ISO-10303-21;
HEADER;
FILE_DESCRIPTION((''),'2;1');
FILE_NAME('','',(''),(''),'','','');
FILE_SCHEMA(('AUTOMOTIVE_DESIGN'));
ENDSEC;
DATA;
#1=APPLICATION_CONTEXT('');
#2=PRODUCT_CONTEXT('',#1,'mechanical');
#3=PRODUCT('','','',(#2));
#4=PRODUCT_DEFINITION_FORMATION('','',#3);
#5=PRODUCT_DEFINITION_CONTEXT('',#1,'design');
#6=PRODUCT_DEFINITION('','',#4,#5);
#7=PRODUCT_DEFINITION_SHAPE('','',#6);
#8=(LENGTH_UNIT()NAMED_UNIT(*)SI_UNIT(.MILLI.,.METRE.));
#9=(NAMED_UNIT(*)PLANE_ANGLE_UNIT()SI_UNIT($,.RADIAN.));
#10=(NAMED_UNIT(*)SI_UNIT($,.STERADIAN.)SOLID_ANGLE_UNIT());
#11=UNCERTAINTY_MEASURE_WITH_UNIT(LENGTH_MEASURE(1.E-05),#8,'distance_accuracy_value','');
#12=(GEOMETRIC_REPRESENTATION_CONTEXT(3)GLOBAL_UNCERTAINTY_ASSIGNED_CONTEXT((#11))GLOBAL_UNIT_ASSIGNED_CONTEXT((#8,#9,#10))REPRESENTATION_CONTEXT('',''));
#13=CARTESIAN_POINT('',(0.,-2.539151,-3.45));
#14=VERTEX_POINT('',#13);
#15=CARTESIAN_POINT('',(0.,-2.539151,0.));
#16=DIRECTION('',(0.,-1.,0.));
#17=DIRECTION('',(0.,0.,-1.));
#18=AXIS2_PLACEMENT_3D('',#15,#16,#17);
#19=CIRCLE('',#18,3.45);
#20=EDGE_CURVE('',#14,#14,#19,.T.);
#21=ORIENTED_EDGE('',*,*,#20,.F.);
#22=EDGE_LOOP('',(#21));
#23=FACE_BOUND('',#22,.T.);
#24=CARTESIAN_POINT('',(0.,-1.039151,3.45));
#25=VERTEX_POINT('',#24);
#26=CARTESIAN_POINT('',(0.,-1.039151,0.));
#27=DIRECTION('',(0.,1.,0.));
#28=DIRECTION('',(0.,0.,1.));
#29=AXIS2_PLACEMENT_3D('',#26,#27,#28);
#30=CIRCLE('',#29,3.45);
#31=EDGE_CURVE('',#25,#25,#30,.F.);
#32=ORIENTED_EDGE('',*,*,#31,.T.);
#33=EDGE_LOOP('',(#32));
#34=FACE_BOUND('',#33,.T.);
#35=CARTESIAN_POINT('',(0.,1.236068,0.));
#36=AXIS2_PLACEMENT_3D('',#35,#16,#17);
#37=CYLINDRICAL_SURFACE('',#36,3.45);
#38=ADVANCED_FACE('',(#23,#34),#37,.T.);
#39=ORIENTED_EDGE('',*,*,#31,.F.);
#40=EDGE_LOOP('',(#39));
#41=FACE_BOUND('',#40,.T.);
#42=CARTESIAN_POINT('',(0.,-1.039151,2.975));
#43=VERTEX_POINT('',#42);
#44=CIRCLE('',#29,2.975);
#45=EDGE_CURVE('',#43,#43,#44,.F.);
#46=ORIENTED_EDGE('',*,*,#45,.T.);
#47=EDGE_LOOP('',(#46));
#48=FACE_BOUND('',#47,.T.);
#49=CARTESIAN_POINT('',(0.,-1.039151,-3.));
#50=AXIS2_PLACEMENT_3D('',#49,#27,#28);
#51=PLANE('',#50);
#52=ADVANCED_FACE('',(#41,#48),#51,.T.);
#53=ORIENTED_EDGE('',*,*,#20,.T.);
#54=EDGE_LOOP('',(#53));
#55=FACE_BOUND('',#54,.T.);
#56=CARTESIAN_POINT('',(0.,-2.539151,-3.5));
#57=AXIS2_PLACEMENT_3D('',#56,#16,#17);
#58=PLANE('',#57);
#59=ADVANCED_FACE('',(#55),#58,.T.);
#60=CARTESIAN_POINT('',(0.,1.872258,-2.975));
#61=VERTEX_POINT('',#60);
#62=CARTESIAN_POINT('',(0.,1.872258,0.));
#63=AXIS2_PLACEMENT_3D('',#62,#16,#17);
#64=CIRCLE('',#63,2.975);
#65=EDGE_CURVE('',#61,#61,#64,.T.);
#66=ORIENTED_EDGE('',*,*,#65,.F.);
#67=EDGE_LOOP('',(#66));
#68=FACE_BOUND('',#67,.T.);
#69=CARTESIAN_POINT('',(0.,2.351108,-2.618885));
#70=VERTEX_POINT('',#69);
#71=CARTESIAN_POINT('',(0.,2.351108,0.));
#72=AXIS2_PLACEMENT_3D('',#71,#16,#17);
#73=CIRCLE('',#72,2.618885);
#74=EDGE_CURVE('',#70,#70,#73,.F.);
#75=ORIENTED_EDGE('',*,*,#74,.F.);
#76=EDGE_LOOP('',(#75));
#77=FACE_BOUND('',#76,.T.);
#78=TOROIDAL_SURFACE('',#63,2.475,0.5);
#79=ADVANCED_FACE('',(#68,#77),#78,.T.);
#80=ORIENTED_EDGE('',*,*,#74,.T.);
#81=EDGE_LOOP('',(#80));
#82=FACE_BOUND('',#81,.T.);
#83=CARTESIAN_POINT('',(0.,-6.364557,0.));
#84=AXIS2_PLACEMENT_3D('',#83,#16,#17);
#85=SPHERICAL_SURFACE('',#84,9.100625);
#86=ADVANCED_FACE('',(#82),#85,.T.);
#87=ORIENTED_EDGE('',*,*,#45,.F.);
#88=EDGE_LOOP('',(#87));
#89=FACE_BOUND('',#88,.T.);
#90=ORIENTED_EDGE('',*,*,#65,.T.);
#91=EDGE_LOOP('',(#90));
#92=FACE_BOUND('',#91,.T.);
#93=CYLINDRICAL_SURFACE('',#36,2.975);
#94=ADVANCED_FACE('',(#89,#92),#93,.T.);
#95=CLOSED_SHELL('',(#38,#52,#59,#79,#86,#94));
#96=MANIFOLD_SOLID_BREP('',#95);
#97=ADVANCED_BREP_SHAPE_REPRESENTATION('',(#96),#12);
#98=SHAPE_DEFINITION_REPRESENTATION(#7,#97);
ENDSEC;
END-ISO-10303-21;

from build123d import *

# Parameters (mm, degrees)
MOVE_FACE2_BY                   = 0.025
DOME1_FACE_RADIUS               = 2.975
DOME1_HEIGHT                    = 0.5
FILLET1_R                       = 0.5
SKETCH2_R                       = 0.75
BOSS_EXTRUDE1_DEPTH             = 3.45
SKETCH3_W                       = 4
SKETCH3_H                       = 1
EXTRUDE_THIN1_DEPTH             = 3.45
MOVE_FACE1_BY                   = 0.05
BOSS_EXTRUDE2_REACH             = 8.95
SKETCH4_R                       = 2
BOSS_EXTRUDE2_DIRECTION_2_REACH = 8.95


with BuildPart() as part:
    # Sketch1 → Revolve1 (revolve)
    with BuildSketch(Plane(origin=(0, 0, 0), x_dir=(0, 0, -1), z_dir=(1, 0, 0))):
        Polygon((0, 2.236067977), (3, 2.236067977), (3, -1.039151263), (3.5, -1.039151263), (3.5, -2.539151263), (2, -2.539151263), (2, 1.236067977), (0, 1.236067977), align=None)
    revolve(axis=Axis((0, 1.236067977, 0), (0, 1, 0)))

    # Move Face2: a curved face moved inward by 0.025
    add(Solid.thicken(part.faces().sort_by_distance((0, 0.598458357, 3))[0], -MOVE_FACE2_BY), mode=Mode.SUBTRACT)

    # Dome1: a dome of height H over a round flat face of radius A is a cap of a sphere of radius (A * A + H * H) / (2 * H)
    dome1_r = (DOME1_FACE_RADIUS * DOME1_FACE_RADIUS + DOME1_HEIGHT * DOME1_HEIGHT) / (2 * DOME1_HEIGHT)
    dome1_base = Plane((0, 2.236067977, 0), z_dir=(0, 1, 0))
    with Locations(dome1_base.offset(DOME1_HEIGHT - dome1_r)):
        dome1_ball = Sphere(dome1_r, mode=Mode.PRIVATE)
    add(split(dome1_ball, bisect_by=dome1_base, keep=Keep.TOP, mode=Mode.PRIVATE))

    # Fillet1
    fillet1_edges = [part.edges().sort_by_distance(p)[0] for p in [
        (2.975, 2.236067977, 0),
    ]]
    fillet(fillet1_edges, radius=FILLET1_R)

    # Sketch2 → Boss-Extrude1 (add)
    with BuildSketch(Plane.XZ.offset(-1.236067977)):
        with Locations(Location((0, 0, 0), (0, 0, 90))):
            Circle(SKETCH2_R)
    extrude(amount=BOSS_EXTRUDE1_DEPTH)

    # Sketch3 → Extrude-Thin1 (add)
    with BuildSketch(Plane.XZ.offset(2.213932023)):
        Rectangle(SKETCH3_W, SKETCH3_H)
    extrude(amount=-EXTRUDE_THIN1_DEPTH)

    # Move Face1: a curved face moved inward by 0.05
    add(Solid.thicken(part.faces().sort_by_distance((0, -1.789151263, 3.5))[0], -MOVE_FACE1_BY), mode=Mode.SUBTRACT)

    # Sketch4 → Boss-Extrude2 (add, up to next)
    with BuildSketch(Plane.XZ.offset(2.213932023), mode=Mode.PRIVATE) as boss_extrude2_sk1:
        Circle(SKETCH4_R)
    boss_extrude2_tool1 = extrude(boss_extrude2_sk1.sketch, amount=-BOSS_EXTRUDE2_REACH, mode=Mode.PRIVATE) - part.part
    add(boss_extrude2_tool1.solids().sort_by_distance((0, -2.213932, 0))[0])
    add(boss_extrude2_tool1.solids().sort_by_distance((0, -2.213932, 0))[1])

    # Boss-Extrude2 direction 2: up to this face of the body (flat: up to its plane)
    boss_extrude2_direction_2_end = Plane(part.part.faces().sort_by_distance((0, -2.539151263, 3.352419264))[0])
    # Sketch4 → Boss-Extrude2 direction 2 (add, up to the picked face)
    with BuildSketch(Plane.XZ.offset(2.213932023), mode=Mode.PRIVATE) as boss_extrude2_direction_2_sk1:
        Circle(SKETCH4_R)
    boss_extrude2_direction_2_tool1 = split(extrude(boss_extrude2_direction_2_sk1.sketch, amount=BOSS_EXTRUDE2_DIRECTION_2_REACH, mode=Mode.PRIVATE), bisect_by=boss_extrude2_direction_2_end, keep=Keep.BOTH, mode=Mode.PRIVATE)
    add(boss_extrude2_direction_2_tool1.solids().sort_by(Axis((0, -2.213932, 0), (0, -1, 0)))[0])


solid = part.part
